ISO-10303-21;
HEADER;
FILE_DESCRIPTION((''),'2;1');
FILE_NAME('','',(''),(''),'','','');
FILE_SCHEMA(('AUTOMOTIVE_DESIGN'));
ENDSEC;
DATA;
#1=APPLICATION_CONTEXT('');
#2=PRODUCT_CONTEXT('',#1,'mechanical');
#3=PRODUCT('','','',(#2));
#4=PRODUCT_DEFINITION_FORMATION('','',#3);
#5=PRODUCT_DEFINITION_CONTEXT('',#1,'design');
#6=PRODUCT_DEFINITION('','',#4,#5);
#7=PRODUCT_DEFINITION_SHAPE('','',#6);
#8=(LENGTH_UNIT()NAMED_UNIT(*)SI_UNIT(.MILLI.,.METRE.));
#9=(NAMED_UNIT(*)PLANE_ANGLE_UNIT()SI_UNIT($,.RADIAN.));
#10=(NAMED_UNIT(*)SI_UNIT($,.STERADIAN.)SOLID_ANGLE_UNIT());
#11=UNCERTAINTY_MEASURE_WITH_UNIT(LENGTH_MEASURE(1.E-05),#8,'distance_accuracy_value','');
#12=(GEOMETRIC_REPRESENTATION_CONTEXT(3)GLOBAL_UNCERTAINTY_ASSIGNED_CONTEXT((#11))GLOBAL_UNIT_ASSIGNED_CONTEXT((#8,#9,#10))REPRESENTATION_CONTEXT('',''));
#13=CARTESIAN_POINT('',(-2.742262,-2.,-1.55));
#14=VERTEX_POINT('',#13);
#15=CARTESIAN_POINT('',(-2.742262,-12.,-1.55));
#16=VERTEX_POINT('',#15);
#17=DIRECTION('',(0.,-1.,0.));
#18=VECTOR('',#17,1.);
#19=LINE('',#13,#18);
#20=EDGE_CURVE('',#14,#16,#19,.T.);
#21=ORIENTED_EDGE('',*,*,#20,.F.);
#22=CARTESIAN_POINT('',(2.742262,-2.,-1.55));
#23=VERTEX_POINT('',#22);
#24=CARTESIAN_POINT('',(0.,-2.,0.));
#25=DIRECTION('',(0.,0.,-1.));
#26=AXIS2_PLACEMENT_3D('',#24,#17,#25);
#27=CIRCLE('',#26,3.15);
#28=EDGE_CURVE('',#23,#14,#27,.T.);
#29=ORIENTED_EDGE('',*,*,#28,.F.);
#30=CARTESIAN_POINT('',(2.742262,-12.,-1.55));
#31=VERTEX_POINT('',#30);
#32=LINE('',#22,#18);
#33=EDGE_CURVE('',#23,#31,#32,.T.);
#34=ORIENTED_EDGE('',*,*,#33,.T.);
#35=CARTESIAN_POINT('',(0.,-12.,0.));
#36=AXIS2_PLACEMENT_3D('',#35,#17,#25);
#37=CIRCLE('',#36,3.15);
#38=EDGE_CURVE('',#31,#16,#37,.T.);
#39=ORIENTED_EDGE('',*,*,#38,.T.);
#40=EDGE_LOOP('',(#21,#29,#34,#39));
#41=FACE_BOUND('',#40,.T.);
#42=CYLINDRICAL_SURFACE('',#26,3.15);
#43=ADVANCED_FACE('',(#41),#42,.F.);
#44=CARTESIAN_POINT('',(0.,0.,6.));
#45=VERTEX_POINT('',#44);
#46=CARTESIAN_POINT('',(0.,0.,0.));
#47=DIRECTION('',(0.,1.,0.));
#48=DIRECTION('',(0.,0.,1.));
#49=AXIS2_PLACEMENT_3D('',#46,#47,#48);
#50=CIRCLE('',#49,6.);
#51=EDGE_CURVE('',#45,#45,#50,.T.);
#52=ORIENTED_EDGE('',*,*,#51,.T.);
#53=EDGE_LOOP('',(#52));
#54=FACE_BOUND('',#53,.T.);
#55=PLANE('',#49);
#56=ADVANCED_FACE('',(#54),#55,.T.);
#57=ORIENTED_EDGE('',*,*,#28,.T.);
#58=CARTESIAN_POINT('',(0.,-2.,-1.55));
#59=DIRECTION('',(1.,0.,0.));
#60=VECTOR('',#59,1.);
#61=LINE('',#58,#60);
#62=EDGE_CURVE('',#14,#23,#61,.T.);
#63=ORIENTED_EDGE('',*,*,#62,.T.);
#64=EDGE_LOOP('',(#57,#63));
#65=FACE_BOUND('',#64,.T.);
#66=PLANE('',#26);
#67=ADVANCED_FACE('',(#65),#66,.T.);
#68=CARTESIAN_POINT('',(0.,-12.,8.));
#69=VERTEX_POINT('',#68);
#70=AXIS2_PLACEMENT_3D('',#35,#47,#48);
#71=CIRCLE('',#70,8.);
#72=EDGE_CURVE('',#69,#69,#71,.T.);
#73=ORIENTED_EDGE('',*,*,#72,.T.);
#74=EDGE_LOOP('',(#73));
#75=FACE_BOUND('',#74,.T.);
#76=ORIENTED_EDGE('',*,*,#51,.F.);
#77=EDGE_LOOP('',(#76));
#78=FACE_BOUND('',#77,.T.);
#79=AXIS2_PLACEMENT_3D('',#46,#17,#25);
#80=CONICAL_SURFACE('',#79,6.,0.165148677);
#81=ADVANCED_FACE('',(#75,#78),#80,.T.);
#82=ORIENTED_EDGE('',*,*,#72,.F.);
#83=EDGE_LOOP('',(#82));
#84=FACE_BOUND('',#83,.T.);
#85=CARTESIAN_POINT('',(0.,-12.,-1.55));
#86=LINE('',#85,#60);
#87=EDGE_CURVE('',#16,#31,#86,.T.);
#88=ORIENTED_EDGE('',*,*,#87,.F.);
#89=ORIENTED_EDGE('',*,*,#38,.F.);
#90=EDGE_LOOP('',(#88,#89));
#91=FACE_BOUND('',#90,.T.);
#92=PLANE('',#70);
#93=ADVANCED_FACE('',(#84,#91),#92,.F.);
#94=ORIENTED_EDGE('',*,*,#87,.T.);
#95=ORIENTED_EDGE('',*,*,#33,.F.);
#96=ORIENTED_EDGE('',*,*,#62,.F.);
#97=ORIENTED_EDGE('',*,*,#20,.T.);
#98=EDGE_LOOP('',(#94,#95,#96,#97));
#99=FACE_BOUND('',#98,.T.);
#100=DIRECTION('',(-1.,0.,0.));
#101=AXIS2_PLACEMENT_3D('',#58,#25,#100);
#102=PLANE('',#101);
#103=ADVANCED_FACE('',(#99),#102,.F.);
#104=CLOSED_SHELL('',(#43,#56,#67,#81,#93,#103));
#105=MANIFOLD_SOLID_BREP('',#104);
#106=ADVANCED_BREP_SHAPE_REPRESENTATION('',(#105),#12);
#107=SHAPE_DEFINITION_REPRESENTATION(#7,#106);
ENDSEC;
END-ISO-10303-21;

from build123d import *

# Parameters (mm, degrees)
SKETCH1_R          = 6
SKETCH2_R          = 8
CUT_EXTRUDE1_DEPTH = 10


with BuildPart() as part:
    # Sketch1 → Loft1 section 0
    with BuildSketch(Plane(origin=(0, 0, 0), x_dir=(1, 0, 0), z_dir=(0, 1, 0))):
        Circle(SKETCH1_R)
    # Sketch2 → Loft1 section 1
    with BuildSketch(Plane(origin=(0, -12, 0), x_dir=(1, 0, 0), z_dir=(0, 1, 0))):
        Circle(SKETCH2_R)
    loft()

    # Sketch4 → Cut-Extrude1 (cut)
    with BuildSketch(Plane.XZ.offset(12)):
        with BuildLine():
            ThreePointArc((3.15, 0), (-0.801366085, 3.046360517), (-2.74226184, -1.55))
            Line((-2.74226184, -1.55), (2.74226184, -1.55))
            ThreePointArc((2.74226184, -1.55), (3.046360517, -0.801366085), (3.15, 0))
        make_face()
    extrude(amount=-CUT_EXTRUDE1_DEPTH, mode=Mode.SUBTRACT)


solid = part.part
